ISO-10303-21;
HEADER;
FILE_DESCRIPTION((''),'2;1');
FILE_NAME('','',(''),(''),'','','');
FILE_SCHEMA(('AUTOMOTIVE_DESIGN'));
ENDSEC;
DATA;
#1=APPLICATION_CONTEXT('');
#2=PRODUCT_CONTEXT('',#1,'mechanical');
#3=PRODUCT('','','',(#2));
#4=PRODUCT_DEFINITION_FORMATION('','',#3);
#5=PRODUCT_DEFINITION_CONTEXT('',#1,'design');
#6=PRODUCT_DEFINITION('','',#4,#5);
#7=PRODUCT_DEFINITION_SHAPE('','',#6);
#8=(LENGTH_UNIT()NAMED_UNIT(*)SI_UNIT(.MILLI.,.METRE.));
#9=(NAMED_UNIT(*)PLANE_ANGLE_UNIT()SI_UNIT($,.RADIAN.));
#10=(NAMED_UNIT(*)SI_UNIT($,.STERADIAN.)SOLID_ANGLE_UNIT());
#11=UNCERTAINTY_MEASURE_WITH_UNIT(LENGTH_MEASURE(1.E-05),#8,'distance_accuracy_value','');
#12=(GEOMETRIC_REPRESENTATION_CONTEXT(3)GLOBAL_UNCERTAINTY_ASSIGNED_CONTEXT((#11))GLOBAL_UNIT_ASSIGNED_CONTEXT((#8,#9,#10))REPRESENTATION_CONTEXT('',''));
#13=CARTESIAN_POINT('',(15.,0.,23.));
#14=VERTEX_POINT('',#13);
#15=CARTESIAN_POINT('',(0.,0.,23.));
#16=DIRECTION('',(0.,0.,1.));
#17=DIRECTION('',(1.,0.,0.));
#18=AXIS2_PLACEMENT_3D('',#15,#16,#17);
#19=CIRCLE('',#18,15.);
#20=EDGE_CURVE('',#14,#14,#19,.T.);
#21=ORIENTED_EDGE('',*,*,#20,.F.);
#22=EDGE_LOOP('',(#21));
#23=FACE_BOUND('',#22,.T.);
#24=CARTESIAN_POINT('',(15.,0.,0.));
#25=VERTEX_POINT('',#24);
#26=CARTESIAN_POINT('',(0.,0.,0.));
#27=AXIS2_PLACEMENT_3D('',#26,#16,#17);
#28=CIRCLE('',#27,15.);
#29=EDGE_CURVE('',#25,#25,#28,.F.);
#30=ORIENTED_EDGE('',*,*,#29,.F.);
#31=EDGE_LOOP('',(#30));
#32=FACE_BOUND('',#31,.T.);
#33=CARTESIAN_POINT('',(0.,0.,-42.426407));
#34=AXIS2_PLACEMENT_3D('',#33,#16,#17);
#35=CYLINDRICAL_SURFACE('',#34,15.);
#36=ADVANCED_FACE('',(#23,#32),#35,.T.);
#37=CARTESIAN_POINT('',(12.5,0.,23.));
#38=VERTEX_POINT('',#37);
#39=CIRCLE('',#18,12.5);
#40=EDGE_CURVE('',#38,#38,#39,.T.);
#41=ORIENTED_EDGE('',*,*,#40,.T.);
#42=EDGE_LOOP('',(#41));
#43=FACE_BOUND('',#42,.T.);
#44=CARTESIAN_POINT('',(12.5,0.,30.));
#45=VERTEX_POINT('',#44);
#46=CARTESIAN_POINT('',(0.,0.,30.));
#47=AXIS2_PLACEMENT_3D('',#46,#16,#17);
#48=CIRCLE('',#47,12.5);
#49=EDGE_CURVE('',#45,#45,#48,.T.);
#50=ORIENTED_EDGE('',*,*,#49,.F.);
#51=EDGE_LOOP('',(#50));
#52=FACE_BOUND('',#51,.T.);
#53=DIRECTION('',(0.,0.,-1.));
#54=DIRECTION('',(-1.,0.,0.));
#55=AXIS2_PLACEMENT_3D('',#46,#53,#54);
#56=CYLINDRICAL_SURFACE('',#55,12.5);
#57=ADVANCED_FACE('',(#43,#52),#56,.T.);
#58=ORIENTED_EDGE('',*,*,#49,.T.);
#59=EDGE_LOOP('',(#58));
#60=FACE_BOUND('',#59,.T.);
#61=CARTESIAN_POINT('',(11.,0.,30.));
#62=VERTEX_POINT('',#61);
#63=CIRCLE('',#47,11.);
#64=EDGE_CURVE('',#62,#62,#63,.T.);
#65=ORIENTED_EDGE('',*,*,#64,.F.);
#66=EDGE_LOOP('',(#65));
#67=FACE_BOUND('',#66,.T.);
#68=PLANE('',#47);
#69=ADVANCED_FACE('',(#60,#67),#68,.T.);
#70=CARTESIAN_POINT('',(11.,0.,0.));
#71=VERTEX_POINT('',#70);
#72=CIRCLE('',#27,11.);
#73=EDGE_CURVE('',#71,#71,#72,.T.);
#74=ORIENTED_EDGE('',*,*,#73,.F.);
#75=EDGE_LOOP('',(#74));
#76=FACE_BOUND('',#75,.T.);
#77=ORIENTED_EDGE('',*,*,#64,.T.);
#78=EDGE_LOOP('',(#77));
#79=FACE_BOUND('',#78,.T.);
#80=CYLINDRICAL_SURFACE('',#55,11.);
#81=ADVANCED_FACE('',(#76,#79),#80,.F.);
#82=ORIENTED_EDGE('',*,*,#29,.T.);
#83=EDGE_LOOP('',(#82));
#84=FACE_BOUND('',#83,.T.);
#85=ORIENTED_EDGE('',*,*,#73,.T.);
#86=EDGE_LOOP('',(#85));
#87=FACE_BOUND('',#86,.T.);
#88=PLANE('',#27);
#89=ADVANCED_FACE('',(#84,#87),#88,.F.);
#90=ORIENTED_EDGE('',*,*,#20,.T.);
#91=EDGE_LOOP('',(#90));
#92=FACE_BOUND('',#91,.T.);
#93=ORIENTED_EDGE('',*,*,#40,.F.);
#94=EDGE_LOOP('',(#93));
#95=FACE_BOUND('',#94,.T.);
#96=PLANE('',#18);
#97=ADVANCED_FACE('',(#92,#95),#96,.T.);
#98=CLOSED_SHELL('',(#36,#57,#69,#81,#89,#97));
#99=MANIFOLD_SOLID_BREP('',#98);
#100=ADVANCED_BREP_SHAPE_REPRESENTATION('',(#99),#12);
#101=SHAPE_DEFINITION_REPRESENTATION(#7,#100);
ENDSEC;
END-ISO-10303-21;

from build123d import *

# Parameters (mm, degrees)
SKETCH1_R           = 12.5
SKETCH1_R_2         = 11
BOSS_EXTRUDE1_DEPTH = 30
BOSS_EXTRUDE2_START = -30
SKETCH2_R           = 15
SKETCH2_R_2         = 12.5
BOSS_EXTRUDE2_DEPTH = 23


with BuildPart() as part:
    # Sketch1 → Boss-Extrude1 (new body)
    with BuildSketch(Plane.XY):
        Circle(SKETCH1_R)
        Circle(SKETCH1_R_2, mode=Mode.SUBTRACT)
    extrude(amount=BOSS_EXTRUDE1_DEPTH)

    # Sketch2 → Boss-Extrude2 (add)
    with BuildSketch(Plane.XY.offset(30).offset(BOSS_EXTRUDE2_START)):
        Circle(SKETCH2_R)
        Circle(SKETCH2_R_2, mode=Mode.SUBTRACT)
    extrude(amount=BOSS_EXTRUDE2_DEPTH)


solid = part.part
